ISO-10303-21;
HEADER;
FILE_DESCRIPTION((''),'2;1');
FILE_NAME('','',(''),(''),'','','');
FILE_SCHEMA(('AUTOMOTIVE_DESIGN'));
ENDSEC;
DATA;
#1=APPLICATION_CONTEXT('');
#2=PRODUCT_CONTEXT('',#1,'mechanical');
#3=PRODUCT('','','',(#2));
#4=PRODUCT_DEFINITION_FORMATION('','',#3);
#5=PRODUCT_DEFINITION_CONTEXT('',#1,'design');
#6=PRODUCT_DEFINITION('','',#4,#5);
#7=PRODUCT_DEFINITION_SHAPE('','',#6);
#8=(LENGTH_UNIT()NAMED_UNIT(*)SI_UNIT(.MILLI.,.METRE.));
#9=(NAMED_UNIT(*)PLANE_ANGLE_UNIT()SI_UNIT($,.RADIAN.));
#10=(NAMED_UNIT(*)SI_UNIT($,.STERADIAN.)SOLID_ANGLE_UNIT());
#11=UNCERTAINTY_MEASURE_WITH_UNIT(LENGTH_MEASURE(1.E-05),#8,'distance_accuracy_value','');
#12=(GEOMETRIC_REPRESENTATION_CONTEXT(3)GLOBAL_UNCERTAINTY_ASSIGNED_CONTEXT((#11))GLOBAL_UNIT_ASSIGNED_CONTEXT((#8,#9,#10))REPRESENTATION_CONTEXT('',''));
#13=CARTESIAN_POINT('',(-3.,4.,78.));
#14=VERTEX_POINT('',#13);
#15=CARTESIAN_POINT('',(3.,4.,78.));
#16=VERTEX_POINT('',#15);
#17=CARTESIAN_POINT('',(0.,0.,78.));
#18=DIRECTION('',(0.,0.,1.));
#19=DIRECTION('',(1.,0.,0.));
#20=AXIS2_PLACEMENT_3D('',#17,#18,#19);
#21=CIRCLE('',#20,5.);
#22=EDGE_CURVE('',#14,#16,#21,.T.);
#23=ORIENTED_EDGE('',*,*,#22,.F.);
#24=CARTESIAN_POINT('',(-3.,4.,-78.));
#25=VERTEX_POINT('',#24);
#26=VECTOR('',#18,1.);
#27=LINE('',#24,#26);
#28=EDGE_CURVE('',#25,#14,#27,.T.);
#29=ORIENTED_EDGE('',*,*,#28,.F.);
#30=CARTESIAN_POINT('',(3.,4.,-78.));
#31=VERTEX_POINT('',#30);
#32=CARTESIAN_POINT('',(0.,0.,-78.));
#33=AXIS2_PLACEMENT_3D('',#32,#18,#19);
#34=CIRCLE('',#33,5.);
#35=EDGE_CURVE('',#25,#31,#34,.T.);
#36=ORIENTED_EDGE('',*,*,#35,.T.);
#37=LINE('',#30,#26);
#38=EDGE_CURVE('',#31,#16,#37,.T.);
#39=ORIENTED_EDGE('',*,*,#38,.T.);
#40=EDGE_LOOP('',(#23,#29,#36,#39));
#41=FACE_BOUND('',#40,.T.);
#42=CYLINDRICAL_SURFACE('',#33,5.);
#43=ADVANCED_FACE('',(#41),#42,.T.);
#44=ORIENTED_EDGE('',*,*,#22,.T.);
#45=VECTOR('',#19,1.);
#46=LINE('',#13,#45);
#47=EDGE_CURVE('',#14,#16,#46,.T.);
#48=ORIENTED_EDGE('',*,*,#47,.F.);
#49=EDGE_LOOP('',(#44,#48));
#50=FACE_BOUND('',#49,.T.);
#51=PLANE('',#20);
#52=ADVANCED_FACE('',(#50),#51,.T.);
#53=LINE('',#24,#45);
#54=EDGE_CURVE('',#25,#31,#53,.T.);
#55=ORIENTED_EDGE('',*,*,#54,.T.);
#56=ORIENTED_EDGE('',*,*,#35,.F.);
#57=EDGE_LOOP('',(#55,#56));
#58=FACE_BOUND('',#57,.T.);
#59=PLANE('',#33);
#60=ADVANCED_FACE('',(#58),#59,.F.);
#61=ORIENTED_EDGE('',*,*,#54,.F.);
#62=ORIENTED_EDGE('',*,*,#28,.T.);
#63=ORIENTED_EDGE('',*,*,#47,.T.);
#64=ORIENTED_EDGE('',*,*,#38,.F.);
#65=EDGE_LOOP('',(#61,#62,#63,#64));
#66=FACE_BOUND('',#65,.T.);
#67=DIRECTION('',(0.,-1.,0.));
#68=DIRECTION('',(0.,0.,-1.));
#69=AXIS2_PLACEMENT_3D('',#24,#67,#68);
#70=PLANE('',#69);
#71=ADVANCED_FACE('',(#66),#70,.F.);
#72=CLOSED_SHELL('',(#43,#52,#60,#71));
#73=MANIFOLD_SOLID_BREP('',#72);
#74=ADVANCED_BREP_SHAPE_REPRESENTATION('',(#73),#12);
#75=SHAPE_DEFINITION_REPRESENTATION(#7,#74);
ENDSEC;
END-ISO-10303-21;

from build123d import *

# Parameters (mm, degrees)
BOSS_EXTRUDE1_DEPTH      = 78
BOSS_EXTRUDE1_DEPTH_BACK = 78
SKETCH1_R                = 5
CUT_EXTRUDE1_DEPTH       = 156


with BuildPart() as part:
    # Sketch1 → Boss-Extrude1 (new, two sides: drawn at the far end of the back side and taken through both)
    with BuildSketch(Plane.XY.offset(-BOSS_EXTRUDE1_DEPTH_BACK)):
        Circle(SKETCH1_R)
    extrude(amount=BOSS_EXTRUDE1_DEPTH + BOSS_EXTRUDE1_DEPTH_BACK)

    # Sketch2 → Cut-Extrude1 (cut)
    with BuildSketch(Plane.XY.offset(78)):
        with BuildLine():
            Line((-3, 4), (3, 4))
            ThreePointArc((3, 4), (0, 5), (-3, 4))
        make_face()
    extrude(amount=-CUT_EXTRUDE1_DEPTH, mode=Mode.SUBTRACT)


solid = part.part
